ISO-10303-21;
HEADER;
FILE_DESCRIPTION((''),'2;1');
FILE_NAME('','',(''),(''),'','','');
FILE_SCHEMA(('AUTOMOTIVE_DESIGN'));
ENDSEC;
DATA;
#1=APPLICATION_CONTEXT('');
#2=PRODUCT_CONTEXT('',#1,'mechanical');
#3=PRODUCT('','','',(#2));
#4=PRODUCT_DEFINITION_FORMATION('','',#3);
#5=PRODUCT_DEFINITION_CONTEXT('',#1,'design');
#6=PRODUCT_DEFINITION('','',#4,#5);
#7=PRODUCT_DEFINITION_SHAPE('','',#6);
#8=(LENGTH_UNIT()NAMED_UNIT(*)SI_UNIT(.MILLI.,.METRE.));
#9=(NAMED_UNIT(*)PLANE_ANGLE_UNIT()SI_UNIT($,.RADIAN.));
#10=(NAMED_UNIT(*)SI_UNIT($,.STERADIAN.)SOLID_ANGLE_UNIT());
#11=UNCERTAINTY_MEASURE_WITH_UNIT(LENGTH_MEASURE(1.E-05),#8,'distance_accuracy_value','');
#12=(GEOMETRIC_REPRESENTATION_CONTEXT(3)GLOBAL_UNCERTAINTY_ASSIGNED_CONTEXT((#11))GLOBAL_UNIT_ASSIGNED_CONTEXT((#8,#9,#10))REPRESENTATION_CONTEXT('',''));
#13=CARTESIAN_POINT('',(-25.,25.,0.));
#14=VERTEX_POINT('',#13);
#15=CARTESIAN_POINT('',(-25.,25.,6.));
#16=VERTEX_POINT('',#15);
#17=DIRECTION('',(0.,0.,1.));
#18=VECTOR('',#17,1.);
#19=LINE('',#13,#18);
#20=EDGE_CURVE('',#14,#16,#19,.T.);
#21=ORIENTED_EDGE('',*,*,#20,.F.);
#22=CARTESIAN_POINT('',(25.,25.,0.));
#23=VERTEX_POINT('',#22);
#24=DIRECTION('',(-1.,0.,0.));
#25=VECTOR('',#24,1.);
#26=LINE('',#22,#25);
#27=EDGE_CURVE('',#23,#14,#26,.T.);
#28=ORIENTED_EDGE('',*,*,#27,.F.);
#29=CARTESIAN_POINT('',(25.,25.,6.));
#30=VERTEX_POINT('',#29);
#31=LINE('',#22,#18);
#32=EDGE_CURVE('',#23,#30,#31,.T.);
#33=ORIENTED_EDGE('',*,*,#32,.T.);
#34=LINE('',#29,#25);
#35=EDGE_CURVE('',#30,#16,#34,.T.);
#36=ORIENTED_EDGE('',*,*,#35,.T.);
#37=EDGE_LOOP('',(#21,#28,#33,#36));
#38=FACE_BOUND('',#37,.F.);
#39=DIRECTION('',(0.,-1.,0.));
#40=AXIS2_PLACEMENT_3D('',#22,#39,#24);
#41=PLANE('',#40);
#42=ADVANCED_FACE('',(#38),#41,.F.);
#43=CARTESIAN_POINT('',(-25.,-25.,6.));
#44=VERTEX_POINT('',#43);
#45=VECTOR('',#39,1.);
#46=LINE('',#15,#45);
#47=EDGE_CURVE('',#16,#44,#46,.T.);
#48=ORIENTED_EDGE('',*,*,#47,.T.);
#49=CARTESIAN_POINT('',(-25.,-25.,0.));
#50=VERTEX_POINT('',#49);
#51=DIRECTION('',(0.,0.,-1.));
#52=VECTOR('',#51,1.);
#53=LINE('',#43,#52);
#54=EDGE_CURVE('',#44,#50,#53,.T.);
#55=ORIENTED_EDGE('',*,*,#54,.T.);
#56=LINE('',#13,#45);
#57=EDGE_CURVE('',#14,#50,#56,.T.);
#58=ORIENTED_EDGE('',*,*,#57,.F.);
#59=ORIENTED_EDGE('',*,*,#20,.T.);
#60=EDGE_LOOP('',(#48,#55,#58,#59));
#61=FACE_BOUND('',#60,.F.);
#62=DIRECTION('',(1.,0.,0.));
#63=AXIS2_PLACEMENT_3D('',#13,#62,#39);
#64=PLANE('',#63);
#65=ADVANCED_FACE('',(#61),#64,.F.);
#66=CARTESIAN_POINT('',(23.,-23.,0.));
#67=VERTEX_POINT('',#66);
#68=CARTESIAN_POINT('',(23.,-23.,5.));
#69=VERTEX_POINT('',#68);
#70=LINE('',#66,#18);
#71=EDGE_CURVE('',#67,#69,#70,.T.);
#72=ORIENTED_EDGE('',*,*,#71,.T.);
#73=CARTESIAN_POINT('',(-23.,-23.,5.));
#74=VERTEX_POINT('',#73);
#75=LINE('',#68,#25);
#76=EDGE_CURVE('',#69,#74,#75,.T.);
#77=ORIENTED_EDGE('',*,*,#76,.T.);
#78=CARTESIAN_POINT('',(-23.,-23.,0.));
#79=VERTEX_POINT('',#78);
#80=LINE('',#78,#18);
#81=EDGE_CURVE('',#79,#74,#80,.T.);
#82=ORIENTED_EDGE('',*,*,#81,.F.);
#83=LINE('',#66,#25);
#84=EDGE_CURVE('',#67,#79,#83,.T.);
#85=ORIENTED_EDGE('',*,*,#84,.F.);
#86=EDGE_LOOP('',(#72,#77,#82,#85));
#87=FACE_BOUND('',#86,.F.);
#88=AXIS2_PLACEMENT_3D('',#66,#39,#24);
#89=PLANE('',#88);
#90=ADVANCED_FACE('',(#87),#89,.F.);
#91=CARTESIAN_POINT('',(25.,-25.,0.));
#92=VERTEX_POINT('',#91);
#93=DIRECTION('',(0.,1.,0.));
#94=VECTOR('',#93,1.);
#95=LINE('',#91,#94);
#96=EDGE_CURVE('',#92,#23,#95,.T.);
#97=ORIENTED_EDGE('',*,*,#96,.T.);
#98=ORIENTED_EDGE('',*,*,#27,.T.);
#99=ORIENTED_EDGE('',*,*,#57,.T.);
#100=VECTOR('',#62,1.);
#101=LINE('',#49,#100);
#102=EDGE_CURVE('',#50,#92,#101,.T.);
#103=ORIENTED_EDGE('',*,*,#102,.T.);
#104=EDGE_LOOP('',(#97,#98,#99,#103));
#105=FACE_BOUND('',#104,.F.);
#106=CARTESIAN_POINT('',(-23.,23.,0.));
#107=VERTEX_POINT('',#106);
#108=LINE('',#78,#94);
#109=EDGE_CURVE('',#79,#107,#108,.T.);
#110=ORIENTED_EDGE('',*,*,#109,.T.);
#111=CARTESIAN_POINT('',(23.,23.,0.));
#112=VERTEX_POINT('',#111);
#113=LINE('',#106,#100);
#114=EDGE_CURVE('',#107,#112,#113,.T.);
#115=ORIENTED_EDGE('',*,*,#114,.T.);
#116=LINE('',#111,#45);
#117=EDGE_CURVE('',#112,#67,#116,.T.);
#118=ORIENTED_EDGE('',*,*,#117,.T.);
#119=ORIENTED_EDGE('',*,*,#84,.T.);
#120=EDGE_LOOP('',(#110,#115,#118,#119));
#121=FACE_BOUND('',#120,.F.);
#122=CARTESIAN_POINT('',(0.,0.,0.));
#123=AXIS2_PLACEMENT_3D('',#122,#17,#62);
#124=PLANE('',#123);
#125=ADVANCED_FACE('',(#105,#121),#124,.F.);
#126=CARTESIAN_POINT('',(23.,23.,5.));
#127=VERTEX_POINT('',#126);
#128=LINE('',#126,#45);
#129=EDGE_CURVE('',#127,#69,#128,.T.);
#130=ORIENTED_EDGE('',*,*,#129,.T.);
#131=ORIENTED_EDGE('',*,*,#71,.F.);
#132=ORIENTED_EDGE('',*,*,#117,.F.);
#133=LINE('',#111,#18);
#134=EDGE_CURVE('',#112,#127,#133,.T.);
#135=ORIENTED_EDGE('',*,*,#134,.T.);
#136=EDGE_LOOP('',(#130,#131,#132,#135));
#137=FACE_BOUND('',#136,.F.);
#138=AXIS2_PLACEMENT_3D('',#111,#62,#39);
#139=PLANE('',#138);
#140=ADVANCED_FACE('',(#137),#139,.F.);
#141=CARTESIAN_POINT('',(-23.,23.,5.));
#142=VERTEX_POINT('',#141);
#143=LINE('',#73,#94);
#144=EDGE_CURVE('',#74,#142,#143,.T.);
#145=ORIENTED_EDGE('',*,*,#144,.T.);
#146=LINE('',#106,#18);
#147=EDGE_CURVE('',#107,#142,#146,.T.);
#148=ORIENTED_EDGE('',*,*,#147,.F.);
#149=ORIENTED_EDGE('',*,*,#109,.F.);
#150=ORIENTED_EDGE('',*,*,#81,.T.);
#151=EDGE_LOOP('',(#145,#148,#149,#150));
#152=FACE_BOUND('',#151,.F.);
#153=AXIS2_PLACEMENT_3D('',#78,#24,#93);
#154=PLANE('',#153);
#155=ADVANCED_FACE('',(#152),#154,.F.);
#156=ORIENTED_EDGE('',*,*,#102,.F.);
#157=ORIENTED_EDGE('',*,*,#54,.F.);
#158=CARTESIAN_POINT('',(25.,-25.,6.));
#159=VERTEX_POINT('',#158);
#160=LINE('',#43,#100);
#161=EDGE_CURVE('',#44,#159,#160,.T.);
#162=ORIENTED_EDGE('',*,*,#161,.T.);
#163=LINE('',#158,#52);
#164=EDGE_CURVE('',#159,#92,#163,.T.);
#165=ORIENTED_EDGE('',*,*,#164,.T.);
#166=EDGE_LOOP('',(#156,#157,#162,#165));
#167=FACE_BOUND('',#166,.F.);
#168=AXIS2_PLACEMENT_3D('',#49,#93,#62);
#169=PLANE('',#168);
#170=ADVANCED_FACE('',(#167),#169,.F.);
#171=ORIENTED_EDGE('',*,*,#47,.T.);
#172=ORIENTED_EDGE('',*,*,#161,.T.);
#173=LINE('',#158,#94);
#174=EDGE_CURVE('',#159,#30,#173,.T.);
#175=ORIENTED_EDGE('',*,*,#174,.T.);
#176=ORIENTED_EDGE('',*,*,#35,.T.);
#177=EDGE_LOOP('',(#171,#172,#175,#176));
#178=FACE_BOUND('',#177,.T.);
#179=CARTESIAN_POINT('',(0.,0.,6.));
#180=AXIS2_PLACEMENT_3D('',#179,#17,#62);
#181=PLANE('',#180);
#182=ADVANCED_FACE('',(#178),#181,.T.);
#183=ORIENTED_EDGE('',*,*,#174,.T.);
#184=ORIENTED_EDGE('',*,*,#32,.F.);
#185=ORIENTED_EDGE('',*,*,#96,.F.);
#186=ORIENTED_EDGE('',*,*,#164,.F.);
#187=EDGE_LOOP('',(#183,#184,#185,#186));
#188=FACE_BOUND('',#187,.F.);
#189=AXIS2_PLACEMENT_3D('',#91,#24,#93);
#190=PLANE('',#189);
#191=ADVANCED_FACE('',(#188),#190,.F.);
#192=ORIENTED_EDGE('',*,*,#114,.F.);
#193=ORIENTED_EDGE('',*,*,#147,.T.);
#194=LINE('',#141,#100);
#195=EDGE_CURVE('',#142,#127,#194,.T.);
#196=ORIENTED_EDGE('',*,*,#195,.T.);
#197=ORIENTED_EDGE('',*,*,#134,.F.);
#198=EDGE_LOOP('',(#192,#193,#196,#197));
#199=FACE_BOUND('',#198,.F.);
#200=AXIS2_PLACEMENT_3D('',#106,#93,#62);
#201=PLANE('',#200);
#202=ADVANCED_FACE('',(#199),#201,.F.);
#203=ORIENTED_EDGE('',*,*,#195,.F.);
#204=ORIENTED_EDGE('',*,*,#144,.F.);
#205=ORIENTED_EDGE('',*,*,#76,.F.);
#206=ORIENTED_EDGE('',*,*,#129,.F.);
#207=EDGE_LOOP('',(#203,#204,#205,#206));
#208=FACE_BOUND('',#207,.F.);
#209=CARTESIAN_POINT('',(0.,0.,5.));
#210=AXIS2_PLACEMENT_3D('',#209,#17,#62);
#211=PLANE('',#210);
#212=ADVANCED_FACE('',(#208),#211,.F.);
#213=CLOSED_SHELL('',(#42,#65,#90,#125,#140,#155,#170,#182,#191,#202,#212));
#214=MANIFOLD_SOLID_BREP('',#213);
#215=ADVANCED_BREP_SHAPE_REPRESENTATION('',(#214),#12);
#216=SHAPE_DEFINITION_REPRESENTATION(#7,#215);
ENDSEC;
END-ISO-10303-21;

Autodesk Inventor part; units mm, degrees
ref_plane "YZ Plane" through (0, 0, 0) normal (1, 0, 0) x (0, 1, 0)
ref_plane "XZ Plane" through (0, 0, 0) normal (0, 1, 0) x (-1, 0, 0)
ref_plane "XY Plane" through (0, 0, 0) normal (0, 0, 1) x (1, 0, 0)
sketch "스케치1" plane through (0, 0, 0) normal (0, 0, 1) x (1, 0, 0)
  line L0 (25, 25) -> (-25, 25) projected
  line L1 (-25, 25) -> (-25, -25) projected
  line L2 (-25, -25) -> (25, -25) projected
  line L3 (25, -25) -> (25, 25) projected
  line L4 (-23, 23) -> (23, 23)
  line L5 (23, 23) -> (23, -23)
  line L6 (23, -23) -> (-23, -23)
  line L7 (-23, -23) -> (-23, 23)
  point P0 (0, 0)
  dimension "d0" = 2
extrude "돌출1" add sketch "스케치1" along normal blind 5
sketch "스케치2" plane through (0, 0, 5) normal (0, 0, 1) x (1, 0, 0)
  line L0 (25, 25) -> (-25, 25) projected
  line L1 (-25, 25) -> (-25, -25) projected
  line L2 (-25, -25) -> (25, -25) projected
  line L3 (25, -25) -> (25, 25) projected
  point P0 (0, 0)
extrude "돌출2" add sketch "스케치2" along normal blind 1
properties part number "light box_3D 인쇄"
